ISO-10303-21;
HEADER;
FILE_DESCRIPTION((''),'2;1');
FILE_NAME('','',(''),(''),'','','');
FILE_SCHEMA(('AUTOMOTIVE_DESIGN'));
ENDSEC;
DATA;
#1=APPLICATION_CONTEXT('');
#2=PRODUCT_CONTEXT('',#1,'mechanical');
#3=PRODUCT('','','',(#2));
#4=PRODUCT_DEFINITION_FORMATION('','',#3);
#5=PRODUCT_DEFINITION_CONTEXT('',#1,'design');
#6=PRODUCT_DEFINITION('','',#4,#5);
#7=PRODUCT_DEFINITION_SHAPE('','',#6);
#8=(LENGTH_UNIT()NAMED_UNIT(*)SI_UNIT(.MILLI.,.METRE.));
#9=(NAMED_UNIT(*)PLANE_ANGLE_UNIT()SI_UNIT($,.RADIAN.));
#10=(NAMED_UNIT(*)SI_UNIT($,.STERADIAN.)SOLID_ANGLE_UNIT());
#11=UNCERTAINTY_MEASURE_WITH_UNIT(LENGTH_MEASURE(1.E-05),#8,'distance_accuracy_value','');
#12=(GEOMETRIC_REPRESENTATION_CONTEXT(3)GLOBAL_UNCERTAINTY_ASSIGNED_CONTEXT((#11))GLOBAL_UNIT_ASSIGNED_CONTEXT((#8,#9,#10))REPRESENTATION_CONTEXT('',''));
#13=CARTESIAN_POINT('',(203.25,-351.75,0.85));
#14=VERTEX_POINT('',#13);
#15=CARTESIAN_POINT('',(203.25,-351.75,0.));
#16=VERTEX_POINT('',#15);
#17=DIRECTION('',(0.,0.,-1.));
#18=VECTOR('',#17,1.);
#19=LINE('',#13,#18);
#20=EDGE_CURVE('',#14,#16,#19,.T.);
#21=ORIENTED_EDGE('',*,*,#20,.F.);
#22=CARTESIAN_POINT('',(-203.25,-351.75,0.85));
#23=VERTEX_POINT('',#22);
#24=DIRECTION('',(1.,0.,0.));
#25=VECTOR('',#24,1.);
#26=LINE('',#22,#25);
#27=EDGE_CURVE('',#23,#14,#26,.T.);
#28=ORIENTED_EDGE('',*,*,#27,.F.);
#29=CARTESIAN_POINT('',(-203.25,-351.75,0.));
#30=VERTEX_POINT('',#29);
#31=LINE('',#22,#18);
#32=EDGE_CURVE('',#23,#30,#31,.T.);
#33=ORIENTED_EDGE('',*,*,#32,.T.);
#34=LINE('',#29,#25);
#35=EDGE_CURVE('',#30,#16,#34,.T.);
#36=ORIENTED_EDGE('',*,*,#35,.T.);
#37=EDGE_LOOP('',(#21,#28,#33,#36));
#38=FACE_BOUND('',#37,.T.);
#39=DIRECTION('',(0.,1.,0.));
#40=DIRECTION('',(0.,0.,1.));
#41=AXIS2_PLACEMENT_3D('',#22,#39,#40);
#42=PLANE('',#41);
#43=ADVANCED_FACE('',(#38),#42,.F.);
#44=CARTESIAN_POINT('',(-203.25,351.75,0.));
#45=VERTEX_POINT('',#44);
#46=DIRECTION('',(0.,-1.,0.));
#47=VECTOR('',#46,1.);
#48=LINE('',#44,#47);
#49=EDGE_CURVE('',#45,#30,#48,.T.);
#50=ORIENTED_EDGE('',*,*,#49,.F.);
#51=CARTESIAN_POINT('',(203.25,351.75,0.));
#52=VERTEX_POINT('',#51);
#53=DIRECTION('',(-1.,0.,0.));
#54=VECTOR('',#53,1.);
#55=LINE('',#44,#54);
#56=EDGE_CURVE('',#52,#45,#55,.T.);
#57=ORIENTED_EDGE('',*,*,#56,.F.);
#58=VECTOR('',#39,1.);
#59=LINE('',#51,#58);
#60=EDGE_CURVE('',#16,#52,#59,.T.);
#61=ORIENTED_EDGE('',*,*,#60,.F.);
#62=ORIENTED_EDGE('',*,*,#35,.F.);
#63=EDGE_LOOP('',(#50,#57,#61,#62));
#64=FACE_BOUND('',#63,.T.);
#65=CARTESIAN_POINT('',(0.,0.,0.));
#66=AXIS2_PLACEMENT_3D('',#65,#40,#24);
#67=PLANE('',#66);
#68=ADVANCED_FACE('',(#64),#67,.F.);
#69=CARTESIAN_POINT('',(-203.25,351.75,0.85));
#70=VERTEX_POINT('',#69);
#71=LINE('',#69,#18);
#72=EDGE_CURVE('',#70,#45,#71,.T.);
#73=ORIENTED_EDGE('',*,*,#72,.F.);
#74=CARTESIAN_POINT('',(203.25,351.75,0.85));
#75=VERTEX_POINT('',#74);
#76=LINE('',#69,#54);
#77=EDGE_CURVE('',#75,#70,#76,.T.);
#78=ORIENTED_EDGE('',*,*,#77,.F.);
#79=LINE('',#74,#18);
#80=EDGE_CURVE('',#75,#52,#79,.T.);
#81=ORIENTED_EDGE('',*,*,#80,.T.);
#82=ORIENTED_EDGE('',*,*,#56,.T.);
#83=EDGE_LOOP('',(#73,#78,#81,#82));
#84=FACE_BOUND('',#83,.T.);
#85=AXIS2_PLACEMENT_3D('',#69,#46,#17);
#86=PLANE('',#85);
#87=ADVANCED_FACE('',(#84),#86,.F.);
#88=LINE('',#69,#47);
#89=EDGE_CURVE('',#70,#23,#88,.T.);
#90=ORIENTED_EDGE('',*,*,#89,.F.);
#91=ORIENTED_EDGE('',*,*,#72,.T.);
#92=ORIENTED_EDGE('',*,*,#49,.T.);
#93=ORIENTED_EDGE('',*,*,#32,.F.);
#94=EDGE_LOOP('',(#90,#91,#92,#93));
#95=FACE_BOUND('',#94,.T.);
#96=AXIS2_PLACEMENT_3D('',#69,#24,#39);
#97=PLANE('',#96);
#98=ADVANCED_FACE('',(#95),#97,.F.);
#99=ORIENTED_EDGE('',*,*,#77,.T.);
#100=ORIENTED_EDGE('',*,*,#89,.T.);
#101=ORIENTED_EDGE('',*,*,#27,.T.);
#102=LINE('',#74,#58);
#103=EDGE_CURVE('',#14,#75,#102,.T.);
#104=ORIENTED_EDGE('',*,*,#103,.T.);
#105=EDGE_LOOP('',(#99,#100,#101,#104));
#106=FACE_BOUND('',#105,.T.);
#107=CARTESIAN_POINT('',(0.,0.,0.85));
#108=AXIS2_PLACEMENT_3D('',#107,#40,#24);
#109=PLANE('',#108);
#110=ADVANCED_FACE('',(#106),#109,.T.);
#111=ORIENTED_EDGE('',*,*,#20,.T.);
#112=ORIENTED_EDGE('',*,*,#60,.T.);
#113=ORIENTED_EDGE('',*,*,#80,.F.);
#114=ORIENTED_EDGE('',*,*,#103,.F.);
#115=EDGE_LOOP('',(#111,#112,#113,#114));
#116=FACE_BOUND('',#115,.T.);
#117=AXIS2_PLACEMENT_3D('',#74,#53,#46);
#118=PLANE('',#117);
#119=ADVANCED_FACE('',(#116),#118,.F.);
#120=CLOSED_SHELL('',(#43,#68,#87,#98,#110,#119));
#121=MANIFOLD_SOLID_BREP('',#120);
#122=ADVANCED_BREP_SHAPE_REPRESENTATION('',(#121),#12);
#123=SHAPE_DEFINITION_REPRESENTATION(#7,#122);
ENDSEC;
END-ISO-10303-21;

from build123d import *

# Parameters (mm, degrees)
SKETCH1_W           = 406.5
SKETCH1_H           = 703.5
BOSS_EXTRUDE1_DEPTH = 0.85


with BuildPart() as part:
    # Sketch1 → Boss-Extrude1 (new body)
    with BuildSketch(Plane.XY):
        Rectangle(SKETCH1_W, SKETCH1_H)
    extrude(amount=BOSS_EXTRUDE1_DEPTH)


solid = part.part
